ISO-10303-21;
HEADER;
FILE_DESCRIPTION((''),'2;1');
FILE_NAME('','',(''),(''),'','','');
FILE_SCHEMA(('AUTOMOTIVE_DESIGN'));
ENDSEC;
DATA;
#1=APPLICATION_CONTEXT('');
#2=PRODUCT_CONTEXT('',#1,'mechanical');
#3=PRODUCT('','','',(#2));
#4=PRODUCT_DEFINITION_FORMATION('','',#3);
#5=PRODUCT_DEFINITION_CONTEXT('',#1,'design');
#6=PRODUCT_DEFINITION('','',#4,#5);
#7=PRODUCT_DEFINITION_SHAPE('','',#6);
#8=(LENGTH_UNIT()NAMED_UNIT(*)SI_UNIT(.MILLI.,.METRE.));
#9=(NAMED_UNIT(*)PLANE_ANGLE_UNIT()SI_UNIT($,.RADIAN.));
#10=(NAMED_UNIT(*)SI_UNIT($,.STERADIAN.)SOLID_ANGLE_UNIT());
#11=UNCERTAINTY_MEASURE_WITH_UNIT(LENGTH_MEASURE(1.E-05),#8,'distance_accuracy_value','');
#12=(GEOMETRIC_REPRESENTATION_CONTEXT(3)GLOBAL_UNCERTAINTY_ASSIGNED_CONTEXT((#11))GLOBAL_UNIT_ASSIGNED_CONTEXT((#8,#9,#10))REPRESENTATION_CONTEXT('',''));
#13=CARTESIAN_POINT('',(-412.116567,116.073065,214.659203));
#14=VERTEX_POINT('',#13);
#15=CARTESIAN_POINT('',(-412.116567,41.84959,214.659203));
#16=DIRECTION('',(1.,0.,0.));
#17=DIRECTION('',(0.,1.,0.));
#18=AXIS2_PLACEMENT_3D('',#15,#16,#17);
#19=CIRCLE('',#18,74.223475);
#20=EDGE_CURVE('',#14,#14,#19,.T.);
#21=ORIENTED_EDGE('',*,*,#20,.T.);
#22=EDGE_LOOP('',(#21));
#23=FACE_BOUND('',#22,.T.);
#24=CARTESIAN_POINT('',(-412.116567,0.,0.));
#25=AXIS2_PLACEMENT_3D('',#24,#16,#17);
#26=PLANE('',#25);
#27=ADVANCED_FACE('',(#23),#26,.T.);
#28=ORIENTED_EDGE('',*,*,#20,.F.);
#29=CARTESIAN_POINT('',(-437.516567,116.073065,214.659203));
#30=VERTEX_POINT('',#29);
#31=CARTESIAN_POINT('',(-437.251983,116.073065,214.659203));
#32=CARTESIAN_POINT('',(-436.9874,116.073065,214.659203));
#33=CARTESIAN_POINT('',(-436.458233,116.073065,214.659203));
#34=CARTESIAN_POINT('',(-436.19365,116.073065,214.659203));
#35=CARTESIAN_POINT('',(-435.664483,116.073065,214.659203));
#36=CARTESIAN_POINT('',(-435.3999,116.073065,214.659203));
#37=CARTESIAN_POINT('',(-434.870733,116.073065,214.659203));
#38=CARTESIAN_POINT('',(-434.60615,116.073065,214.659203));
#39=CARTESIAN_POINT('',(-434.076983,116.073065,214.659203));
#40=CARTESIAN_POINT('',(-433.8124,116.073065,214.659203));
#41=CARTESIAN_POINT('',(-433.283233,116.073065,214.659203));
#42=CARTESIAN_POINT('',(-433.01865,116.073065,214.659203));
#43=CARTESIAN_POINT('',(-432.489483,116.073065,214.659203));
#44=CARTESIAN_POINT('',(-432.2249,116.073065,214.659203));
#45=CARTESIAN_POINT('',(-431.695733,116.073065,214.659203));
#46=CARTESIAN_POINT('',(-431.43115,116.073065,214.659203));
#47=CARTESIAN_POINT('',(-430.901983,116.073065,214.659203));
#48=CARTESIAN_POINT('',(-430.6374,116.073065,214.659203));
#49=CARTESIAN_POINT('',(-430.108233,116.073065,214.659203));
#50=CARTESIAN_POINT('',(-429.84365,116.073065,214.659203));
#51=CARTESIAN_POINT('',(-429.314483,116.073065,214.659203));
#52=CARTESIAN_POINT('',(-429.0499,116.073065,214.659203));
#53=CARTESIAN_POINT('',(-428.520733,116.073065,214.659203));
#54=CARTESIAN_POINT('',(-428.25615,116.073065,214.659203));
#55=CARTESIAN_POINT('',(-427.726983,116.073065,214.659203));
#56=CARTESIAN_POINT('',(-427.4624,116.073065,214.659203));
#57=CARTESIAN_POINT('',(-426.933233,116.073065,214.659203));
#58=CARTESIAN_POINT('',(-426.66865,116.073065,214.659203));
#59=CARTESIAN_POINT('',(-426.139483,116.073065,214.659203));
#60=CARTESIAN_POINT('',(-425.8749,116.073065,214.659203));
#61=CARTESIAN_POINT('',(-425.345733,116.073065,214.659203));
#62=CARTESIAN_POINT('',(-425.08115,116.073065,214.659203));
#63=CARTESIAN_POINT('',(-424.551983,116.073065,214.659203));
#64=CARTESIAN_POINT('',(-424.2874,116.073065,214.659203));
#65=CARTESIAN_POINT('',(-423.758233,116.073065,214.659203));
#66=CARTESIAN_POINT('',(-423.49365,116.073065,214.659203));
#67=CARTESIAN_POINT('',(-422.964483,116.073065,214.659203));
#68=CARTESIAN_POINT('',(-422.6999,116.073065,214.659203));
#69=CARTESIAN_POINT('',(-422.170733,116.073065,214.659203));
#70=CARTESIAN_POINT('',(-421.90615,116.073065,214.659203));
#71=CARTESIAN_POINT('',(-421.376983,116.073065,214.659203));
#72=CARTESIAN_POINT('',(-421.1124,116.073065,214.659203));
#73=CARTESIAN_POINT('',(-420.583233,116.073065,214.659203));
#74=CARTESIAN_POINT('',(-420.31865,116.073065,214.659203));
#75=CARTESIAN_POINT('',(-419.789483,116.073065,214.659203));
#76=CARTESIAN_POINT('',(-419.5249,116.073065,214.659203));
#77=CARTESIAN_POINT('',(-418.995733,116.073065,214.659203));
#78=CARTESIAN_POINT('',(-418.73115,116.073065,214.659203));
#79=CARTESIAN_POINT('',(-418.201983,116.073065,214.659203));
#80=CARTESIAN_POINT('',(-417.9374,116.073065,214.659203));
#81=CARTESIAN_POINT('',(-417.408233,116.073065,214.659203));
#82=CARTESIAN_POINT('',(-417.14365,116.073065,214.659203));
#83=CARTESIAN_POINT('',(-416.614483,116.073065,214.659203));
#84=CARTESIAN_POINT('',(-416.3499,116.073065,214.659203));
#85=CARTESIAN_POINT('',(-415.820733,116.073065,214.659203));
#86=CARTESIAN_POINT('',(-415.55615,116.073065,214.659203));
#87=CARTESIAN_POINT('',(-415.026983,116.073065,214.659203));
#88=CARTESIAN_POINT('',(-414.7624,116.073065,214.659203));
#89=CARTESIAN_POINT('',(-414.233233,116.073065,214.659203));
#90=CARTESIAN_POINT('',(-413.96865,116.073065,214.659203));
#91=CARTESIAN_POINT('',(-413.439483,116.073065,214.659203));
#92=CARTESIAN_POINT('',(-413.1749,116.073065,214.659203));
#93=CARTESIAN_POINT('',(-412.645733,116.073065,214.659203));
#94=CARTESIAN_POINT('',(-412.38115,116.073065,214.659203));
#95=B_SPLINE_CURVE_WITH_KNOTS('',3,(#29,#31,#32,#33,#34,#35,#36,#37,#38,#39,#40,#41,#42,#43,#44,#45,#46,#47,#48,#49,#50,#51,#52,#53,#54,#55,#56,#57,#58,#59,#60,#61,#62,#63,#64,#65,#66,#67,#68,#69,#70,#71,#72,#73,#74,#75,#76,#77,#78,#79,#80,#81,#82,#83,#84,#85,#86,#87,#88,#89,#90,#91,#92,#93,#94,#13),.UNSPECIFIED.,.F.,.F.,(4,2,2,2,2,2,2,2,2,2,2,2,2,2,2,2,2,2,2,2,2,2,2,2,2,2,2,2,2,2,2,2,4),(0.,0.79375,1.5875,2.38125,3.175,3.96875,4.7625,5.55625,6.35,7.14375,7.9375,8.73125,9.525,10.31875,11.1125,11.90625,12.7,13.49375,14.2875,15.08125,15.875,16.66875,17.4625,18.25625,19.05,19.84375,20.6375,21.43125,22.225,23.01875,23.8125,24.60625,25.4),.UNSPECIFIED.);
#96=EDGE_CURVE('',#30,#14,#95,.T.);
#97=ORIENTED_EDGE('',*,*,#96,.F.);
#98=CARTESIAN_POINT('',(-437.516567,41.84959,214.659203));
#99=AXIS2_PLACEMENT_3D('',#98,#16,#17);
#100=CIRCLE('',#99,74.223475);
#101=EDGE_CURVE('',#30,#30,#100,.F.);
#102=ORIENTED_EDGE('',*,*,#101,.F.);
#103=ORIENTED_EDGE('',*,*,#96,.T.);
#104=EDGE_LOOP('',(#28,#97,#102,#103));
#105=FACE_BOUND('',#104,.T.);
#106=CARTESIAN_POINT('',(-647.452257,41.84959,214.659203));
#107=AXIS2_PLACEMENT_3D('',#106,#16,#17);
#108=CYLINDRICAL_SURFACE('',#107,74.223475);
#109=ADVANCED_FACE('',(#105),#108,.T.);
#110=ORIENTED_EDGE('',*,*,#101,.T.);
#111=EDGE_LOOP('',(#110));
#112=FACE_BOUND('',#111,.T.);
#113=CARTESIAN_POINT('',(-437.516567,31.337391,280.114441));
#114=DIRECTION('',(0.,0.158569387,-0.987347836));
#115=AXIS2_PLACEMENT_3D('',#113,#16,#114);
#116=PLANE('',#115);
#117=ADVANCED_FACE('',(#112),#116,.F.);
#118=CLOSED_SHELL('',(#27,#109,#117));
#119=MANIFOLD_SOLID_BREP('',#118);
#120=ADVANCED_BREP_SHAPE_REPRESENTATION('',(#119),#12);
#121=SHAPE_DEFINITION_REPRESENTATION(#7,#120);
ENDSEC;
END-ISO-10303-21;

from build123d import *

# Parameters (mm, degrees)
SKETCH1_R           = 74.223475297
SKETCH1_R_2         = 66.342438796
BOSS_EXTRUDE1_DEPTH = 25.4


with BuildPart() as part:
    # Sketch1 → Boss-Extrude1 (new body)
    with BuildSketch(Plane(origin=(-412.116566646, 0, 0), x_dir=(0, 0, -1), z_dir=(1, 0, 0))):
        with Locations(Location((-214.659203324, 41.84959015, 0), (0, 0, 90))):
            Circle(SKETCH1_R)
        with Locations((-214.659203324, 41.84959015)):
            Circle(SKETCH1_R_2, mode=Mode.SUBTRACT)
        with Locations((-214.659203324, 41.84959015)):
            Circle(SKETCH1_R_2)
    extrude(amount=-BOSS_EXTRUDE1_DEPTH)


solid = part.part
